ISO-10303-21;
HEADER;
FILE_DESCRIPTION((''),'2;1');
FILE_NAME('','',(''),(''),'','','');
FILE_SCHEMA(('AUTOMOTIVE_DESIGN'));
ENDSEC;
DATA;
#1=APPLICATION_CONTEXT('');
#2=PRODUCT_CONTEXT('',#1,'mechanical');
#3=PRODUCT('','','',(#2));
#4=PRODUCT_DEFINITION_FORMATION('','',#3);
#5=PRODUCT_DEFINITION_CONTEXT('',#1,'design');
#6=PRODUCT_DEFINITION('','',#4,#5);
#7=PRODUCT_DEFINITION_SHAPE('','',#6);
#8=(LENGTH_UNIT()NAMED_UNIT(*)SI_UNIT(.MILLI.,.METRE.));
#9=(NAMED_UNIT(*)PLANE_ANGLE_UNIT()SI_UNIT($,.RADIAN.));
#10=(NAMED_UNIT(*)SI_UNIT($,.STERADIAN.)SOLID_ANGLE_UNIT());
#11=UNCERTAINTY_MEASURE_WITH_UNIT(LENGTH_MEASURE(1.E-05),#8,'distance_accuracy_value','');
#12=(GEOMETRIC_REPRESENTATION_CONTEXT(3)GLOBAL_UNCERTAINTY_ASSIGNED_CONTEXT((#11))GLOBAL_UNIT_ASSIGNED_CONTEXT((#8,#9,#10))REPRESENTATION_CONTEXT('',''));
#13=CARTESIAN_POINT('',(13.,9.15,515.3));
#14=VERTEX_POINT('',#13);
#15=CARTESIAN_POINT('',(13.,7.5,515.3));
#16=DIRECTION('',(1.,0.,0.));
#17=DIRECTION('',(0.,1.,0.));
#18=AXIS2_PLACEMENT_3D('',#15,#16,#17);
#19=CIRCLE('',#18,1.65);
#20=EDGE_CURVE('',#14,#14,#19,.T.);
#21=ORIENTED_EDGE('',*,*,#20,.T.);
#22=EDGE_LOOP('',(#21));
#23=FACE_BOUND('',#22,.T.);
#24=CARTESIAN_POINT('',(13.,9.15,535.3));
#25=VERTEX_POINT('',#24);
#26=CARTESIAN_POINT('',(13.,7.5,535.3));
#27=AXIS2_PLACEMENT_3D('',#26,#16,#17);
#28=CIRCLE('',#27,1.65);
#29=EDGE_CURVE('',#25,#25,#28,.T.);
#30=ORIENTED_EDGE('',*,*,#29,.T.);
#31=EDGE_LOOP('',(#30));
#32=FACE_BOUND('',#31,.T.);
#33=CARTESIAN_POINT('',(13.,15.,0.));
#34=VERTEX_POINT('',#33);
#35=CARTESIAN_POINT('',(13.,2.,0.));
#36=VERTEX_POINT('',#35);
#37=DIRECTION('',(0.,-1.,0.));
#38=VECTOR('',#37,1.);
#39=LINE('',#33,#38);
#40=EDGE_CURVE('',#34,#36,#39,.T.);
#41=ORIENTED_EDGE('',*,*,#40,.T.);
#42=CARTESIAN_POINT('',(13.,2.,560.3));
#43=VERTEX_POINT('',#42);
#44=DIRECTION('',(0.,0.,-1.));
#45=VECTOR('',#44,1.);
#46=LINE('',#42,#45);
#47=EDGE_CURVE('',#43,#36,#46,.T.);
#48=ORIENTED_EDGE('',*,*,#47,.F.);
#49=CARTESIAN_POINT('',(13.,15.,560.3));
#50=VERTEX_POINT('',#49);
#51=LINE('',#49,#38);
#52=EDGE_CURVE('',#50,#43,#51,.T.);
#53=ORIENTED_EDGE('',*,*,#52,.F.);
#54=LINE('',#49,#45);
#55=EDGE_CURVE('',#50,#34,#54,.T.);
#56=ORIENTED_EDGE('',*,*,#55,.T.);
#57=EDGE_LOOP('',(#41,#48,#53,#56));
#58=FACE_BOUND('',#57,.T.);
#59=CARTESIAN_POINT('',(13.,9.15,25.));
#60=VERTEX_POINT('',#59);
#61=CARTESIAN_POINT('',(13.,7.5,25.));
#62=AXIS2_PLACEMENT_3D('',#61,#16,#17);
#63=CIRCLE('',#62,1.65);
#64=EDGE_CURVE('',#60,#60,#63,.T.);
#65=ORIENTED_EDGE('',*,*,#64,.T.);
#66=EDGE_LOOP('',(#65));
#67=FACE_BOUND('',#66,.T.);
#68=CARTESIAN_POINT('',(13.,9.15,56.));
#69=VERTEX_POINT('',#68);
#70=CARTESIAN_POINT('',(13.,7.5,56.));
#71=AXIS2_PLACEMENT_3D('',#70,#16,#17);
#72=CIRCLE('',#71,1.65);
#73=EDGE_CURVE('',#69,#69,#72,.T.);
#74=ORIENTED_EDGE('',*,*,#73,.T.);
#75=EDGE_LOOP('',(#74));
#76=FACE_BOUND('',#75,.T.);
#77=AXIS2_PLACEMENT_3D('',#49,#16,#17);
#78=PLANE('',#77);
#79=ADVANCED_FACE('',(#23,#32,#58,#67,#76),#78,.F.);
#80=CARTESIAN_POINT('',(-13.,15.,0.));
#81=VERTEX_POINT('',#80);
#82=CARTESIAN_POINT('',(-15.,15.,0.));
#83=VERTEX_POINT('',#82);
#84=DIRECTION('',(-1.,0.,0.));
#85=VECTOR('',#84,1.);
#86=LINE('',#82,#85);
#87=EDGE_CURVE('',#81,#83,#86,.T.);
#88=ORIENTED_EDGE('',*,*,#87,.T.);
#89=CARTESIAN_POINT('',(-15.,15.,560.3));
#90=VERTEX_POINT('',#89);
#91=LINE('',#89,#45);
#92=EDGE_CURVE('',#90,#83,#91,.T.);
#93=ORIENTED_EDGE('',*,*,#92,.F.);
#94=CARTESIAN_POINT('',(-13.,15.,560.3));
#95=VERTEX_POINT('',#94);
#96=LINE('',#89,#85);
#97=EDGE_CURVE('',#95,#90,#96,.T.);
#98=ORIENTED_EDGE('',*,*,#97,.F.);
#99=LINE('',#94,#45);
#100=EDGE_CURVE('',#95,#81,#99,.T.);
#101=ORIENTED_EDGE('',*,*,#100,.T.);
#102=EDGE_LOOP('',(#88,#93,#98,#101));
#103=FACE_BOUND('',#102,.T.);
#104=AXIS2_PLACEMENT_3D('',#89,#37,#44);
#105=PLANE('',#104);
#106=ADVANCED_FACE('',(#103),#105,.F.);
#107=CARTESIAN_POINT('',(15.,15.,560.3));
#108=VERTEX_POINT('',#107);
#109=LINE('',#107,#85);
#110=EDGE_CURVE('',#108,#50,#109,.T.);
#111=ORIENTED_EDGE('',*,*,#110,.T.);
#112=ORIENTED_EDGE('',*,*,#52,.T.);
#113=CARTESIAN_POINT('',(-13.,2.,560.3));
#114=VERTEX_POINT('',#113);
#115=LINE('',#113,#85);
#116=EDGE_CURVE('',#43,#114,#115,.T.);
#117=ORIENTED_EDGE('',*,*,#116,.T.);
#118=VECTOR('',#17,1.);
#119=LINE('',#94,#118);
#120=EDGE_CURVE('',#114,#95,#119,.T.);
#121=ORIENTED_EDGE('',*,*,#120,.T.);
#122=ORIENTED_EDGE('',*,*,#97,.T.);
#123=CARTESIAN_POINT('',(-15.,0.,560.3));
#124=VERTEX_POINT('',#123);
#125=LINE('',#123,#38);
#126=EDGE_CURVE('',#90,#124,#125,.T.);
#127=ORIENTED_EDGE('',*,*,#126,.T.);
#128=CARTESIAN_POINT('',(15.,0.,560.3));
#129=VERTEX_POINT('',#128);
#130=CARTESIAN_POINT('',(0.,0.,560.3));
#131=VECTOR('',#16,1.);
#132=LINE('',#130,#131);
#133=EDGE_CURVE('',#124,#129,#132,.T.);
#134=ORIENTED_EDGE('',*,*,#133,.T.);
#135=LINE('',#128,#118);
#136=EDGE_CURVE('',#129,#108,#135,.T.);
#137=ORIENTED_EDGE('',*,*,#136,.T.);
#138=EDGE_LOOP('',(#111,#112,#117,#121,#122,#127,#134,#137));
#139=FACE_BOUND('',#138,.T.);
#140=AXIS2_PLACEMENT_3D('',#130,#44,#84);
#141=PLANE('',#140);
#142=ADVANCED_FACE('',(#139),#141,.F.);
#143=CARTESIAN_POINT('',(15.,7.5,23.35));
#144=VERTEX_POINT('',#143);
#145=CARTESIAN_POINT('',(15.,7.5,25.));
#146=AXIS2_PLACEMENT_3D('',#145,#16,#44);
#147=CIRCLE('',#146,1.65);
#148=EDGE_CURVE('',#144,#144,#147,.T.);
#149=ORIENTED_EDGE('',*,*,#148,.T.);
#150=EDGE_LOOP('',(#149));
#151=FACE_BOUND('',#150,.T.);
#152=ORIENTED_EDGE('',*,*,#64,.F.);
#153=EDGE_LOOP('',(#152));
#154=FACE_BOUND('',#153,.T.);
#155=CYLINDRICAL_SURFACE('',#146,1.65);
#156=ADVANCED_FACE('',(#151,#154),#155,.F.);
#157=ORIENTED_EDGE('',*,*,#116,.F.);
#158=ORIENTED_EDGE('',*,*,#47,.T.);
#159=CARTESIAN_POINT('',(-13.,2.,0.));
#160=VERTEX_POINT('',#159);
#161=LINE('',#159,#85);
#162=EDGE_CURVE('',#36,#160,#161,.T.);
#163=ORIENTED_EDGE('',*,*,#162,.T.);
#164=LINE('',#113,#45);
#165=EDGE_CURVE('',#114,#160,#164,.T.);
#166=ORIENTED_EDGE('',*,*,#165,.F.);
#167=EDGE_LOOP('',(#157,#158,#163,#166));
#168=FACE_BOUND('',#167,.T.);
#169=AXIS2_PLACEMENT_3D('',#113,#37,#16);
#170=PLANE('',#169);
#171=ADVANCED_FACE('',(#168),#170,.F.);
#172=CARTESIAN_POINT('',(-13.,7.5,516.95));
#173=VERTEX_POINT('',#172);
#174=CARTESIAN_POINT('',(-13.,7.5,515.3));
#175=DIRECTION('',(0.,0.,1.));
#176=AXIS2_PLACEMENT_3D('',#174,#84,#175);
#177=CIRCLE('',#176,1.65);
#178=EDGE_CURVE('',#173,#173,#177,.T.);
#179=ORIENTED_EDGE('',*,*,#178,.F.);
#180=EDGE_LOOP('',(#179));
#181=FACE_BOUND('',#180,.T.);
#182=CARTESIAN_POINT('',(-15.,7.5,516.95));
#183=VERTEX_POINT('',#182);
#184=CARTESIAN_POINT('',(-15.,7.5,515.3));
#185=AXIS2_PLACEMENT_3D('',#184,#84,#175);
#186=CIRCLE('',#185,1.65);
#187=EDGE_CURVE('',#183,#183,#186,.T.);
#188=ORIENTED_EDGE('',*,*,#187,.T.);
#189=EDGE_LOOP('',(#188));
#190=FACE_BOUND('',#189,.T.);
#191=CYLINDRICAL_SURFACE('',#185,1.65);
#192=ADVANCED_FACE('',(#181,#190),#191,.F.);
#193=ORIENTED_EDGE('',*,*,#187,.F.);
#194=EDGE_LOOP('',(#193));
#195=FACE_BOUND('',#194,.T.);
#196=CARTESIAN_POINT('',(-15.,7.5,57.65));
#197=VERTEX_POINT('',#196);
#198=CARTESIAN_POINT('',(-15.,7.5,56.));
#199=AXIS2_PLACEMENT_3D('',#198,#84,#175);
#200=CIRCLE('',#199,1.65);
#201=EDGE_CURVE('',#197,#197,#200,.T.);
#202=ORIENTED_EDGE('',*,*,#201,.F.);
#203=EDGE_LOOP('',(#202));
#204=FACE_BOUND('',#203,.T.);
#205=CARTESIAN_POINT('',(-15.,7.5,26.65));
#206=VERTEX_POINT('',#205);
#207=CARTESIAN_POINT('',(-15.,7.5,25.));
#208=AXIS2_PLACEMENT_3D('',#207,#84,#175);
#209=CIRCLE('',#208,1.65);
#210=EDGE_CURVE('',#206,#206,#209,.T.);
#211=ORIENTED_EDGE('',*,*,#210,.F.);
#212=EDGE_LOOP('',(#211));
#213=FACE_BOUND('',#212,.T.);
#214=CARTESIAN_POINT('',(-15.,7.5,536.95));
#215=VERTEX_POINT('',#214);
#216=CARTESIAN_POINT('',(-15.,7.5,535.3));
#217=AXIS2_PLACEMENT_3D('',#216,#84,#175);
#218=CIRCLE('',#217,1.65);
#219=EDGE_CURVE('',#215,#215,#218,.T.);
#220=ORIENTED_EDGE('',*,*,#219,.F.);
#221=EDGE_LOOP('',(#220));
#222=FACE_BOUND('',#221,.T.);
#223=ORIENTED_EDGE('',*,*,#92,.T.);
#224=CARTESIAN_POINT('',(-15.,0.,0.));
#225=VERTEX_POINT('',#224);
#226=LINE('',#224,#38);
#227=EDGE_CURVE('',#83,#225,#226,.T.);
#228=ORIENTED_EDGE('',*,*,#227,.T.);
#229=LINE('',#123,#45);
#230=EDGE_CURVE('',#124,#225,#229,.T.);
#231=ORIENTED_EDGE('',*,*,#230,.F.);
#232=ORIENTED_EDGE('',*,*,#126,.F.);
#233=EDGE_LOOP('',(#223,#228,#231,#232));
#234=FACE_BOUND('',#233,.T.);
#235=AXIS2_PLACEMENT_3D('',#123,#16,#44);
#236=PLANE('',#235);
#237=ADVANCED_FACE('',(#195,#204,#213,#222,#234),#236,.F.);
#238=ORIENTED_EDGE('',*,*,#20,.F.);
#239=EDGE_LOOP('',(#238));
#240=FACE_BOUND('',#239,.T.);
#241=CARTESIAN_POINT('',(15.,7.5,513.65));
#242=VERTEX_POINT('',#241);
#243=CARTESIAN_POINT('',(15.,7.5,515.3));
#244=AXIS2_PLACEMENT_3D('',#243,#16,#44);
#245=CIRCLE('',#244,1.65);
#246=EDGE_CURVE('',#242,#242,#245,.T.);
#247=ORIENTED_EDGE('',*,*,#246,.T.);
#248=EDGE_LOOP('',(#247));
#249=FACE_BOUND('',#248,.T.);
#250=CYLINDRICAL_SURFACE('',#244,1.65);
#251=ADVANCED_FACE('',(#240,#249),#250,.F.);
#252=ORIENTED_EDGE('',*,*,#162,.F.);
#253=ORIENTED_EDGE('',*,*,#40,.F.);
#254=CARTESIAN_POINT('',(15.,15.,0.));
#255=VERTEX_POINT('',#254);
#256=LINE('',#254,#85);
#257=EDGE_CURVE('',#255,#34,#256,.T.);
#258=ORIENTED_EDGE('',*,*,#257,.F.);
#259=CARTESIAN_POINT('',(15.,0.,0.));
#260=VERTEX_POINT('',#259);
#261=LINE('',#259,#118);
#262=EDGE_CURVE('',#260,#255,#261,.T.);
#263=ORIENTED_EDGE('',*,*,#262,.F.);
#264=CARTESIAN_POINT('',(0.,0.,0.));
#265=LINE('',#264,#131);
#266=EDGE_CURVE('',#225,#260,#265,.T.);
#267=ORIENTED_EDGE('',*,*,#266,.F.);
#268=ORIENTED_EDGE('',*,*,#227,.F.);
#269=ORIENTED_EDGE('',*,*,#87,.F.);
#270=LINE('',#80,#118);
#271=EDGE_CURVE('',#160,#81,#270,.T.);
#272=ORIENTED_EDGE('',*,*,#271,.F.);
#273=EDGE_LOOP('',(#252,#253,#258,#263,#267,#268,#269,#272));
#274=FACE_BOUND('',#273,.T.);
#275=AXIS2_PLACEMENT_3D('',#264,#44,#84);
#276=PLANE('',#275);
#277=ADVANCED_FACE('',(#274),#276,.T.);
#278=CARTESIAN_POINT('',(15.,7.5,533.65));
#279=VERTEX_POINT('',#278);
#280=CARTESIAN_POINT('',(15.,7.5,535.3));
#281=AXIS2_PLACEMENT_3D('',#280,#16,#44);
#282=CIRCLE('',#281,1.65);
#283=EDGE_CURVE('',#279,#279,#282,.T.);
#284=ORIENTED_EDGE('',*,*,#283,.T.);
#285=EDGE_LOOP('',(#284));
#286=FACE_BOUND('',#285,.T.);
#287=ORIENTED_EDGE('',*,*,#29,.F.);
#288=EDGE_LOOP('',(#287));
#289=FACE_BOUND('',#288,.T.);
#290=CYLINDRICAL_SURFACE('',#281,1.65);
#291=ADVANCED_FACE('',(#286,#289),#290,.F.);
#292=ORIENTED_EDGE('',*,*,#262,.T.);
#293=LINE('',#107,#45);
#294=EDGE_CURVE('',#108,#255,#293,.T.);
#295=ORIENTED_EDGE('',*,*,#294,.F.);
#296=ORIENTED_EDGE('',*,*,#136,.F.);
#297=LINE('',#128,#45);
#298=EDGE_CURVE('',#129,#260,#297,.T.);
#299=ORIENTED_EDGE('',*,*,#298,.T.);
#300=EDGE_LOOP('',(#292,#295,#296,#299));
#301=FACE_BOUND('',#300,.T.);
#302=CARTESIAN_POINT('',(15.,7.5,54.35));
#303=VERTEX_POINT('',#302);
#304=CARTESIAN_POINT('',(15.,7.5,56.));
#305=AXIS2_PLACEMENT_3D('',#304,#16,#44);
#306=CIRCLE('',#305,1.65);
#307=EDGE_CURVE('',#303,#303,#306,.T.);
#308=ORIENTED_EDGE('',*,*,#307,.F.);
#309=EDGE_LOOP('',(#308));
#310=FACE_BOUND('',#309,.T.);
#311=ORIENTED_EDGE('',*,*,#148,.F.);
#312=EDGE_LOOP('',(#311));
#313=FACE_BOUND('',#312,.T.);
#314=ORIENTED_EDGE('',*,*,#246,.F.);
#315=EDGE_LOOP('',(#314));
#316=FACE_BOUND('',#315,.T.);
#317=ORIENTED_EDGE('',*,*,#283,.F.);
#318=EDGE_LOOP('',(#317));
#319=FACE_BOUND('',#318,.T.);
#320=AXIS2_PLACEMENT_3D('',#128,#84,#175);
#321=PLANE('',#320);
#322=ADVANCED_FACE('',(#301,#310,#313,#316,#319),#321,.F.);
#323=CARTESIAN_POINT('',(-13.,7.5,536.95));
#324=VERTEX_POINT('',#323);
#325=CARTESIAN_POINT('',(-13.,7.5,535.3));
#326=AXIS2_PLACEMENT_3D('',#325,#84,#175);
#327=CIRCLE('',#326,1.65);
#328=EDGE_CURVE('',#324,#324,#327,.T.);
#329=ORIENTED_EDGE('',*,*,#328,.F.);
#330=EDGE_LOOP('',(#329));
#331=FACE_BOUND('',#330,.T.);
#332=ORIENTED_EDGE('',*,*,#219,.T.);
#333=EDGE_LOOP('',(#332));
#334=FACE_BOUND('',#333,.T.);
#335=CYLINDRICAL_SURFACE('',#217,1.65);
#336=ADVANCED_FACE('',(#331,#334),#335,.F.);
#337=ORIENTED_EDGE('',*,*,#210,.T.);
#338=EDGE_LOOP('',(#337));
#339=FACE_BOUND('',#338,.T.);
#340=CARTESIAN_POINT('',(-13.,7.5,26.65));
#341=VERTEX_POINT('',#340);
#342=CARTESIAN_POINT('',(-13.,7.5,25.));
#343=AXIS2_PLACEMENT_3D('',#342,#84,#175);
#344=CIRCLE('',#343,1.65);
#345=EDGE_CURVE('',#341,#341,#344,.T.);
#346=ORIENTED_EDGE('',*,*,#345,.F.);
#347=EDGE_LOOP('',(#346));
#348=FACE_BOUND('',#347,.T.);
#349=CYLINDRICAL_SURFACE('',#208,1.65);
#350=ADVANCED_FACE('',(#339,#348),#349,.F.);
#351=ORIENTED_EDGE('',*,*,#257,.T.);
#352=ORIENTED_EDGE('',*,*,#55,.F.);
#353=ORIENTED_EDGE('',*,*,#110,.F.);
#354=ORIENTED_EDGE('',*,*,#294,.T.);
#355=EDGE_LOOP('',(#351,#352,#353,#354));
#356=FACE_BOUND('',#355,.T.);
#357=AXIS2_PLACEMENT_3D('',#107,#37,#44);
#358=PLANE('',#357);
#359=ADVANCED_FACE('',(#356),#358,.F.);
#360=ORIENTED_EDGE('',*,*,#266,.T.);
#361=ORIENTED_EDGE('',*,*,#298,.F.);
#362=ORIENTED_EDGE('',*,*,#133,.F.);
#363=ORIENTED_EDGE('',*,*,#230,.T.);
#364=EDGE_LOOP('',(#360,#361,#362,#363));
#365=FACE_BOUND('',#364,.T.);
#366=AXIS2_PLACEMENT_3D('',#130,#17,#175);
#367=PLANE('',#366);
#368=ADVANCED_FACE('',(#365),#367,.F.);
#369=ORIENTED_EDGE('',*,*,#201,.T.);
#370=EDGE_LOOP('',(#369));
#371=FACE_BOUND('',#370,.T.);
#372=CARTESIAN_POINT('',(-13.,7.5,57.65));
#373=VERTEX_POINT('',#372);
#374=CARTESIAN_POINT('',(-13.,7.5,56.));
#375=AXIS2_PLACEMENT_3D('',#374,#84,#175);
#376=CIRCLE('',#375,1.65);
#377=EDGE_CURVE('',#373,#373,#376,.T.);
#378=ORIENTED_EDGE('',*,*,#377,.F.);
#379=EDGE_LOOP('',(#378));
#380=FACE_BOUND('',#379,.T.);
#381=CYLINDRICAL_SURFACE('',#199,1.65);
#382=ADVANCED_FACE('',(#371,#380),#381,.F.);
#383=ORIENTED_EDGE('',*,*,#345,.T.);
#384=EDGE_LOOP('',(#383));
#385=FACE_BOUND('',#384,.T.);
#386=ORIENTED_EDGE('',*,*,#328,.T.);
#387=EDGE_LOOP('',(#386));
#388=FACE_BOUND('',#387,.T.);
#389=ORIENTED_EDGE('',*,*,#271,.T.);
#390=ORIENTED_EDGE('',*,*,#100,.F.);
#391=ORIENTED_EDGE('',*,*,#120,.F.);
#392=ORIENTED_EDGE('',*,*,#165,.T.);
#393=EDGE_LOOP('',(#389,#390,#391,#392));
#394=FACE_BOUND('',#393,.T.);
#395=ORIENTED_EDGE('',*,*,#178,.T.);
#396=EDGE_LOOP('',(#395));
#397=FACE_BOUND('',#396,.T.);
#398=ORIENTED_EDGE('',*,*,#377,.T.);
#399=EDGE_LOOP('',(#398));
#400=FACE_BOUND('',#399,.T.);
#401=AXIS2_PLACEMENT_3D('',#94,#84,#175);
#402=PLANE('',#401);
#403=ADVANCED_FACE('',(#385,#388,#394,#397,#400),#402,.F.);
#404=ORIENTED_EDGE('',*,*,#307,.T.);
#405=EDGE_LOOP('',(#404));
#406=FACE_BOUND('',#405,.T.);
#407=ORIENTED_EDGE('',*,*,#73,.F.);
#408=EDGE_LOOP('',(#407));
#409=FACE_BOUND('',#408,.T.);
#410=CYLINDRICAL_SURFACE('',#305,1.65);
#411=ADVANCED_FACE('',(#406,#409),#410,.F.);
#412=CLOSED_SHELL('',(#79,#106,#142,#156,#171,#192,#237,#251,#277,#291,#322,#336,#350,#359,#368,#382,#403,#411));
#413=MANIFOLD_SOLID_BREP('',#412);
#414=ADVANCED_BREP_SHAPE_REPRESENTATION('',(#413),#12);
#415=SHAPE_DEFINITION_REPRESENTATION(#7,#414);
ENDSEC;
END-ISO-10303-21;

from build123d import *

# Parameters (mm, degrees)
EXTRUDE_1_DEPTH = 560.3
M4X0_7_1_D      = 3.3
M4X0_7_1_DEPTH  = 11.5
M4X0_7_1_TIP    = 0.991420021
M4X0_7_2_D      = 3.3
M4X0_7_2_DEPTH  = 11.5
M4X0_7_2_TIP    = 0.991420021
M4X0_7_4_D      = 3.3
M4X0_7_4_DEPTH  = 11.5
M4X0_7_4_TIP    = 0.991420021


with BuildPart() as part:
    # ｽｹｯﾁ1 → ﾎﾞｽ - 押し出し1 (new body)
    with BuildSketch(Plane.XY):
        Polygon((0, 0), (15, 0), (15, 15), (13, 15), (13, 2), (-13, 2), (-13, 15), (-15, 15), (-15, 0), align=None)
    extrude(amount=EXTRUDE_1_DEPTH)

    # M4x0.7 ねじ穴1
    with Locations(Plane(origin=(15, 7.5, 56), x_dir=(0, 0, 1), z_dir=(1, 0, 0))):
        with Locations((0, 0), (-31, 0)):
            Hole(M4X0_7_1_D / 2, depth=M4X0_7_1_DEPTH)
            with Locations((0, 0, -(M4X0_7_1_DEPTH + M4X0_7_1_TIP / 2))):  # 118° drill point
                Cone(0, M4X0_7_1_D / 2, M4X0_7_1_TIP, mode=Mode.SUBTRACT)

    # M4x0.7 ねじ穴2
    with Locations(Plane(origin=(15, 7.5, 535.3), x_dir=(0, 0, 1), z_dir=(1, 0, 0))):
        with Locations((0, 0), (-20, 0)):
            Hole(M4X0_7_2_D / 2, depth=M4X0_7_2_DEPTH)
            with Locations((0, 0, -(M4X0_7_2_DEPTH + M4X0_7_2_TIP / 2))):  # 118° drill point
                Cone(0, M4X0_7_2_D / 2, M4X0_7_2_TIP, mode=Mode.SUBTRACT)

    # M4x0.7 ねじ穴4
    with Locations(Plane(origin=(-15, 7.5, 56), x_dir=(0, 0, -1), z_dir=(-1, 0, 0))):
        with Locations((0, 0), (31, 0), (-459.3, 0), (-479.3, 0)):
            Hole(M4X0_7_4_D / 2, depth=M4X0_7_4_DEPTH)
            with Locations((0, 0, -(M4X0_7_4_DEPTH + M4X0_7_4_TIP / 2))):  # 118° drill point
                Cone(0, M4X0_7_4_D / 2, M4X0_7_4_TIP, mode=Mode.SUBTRACT)


solid = part.part
